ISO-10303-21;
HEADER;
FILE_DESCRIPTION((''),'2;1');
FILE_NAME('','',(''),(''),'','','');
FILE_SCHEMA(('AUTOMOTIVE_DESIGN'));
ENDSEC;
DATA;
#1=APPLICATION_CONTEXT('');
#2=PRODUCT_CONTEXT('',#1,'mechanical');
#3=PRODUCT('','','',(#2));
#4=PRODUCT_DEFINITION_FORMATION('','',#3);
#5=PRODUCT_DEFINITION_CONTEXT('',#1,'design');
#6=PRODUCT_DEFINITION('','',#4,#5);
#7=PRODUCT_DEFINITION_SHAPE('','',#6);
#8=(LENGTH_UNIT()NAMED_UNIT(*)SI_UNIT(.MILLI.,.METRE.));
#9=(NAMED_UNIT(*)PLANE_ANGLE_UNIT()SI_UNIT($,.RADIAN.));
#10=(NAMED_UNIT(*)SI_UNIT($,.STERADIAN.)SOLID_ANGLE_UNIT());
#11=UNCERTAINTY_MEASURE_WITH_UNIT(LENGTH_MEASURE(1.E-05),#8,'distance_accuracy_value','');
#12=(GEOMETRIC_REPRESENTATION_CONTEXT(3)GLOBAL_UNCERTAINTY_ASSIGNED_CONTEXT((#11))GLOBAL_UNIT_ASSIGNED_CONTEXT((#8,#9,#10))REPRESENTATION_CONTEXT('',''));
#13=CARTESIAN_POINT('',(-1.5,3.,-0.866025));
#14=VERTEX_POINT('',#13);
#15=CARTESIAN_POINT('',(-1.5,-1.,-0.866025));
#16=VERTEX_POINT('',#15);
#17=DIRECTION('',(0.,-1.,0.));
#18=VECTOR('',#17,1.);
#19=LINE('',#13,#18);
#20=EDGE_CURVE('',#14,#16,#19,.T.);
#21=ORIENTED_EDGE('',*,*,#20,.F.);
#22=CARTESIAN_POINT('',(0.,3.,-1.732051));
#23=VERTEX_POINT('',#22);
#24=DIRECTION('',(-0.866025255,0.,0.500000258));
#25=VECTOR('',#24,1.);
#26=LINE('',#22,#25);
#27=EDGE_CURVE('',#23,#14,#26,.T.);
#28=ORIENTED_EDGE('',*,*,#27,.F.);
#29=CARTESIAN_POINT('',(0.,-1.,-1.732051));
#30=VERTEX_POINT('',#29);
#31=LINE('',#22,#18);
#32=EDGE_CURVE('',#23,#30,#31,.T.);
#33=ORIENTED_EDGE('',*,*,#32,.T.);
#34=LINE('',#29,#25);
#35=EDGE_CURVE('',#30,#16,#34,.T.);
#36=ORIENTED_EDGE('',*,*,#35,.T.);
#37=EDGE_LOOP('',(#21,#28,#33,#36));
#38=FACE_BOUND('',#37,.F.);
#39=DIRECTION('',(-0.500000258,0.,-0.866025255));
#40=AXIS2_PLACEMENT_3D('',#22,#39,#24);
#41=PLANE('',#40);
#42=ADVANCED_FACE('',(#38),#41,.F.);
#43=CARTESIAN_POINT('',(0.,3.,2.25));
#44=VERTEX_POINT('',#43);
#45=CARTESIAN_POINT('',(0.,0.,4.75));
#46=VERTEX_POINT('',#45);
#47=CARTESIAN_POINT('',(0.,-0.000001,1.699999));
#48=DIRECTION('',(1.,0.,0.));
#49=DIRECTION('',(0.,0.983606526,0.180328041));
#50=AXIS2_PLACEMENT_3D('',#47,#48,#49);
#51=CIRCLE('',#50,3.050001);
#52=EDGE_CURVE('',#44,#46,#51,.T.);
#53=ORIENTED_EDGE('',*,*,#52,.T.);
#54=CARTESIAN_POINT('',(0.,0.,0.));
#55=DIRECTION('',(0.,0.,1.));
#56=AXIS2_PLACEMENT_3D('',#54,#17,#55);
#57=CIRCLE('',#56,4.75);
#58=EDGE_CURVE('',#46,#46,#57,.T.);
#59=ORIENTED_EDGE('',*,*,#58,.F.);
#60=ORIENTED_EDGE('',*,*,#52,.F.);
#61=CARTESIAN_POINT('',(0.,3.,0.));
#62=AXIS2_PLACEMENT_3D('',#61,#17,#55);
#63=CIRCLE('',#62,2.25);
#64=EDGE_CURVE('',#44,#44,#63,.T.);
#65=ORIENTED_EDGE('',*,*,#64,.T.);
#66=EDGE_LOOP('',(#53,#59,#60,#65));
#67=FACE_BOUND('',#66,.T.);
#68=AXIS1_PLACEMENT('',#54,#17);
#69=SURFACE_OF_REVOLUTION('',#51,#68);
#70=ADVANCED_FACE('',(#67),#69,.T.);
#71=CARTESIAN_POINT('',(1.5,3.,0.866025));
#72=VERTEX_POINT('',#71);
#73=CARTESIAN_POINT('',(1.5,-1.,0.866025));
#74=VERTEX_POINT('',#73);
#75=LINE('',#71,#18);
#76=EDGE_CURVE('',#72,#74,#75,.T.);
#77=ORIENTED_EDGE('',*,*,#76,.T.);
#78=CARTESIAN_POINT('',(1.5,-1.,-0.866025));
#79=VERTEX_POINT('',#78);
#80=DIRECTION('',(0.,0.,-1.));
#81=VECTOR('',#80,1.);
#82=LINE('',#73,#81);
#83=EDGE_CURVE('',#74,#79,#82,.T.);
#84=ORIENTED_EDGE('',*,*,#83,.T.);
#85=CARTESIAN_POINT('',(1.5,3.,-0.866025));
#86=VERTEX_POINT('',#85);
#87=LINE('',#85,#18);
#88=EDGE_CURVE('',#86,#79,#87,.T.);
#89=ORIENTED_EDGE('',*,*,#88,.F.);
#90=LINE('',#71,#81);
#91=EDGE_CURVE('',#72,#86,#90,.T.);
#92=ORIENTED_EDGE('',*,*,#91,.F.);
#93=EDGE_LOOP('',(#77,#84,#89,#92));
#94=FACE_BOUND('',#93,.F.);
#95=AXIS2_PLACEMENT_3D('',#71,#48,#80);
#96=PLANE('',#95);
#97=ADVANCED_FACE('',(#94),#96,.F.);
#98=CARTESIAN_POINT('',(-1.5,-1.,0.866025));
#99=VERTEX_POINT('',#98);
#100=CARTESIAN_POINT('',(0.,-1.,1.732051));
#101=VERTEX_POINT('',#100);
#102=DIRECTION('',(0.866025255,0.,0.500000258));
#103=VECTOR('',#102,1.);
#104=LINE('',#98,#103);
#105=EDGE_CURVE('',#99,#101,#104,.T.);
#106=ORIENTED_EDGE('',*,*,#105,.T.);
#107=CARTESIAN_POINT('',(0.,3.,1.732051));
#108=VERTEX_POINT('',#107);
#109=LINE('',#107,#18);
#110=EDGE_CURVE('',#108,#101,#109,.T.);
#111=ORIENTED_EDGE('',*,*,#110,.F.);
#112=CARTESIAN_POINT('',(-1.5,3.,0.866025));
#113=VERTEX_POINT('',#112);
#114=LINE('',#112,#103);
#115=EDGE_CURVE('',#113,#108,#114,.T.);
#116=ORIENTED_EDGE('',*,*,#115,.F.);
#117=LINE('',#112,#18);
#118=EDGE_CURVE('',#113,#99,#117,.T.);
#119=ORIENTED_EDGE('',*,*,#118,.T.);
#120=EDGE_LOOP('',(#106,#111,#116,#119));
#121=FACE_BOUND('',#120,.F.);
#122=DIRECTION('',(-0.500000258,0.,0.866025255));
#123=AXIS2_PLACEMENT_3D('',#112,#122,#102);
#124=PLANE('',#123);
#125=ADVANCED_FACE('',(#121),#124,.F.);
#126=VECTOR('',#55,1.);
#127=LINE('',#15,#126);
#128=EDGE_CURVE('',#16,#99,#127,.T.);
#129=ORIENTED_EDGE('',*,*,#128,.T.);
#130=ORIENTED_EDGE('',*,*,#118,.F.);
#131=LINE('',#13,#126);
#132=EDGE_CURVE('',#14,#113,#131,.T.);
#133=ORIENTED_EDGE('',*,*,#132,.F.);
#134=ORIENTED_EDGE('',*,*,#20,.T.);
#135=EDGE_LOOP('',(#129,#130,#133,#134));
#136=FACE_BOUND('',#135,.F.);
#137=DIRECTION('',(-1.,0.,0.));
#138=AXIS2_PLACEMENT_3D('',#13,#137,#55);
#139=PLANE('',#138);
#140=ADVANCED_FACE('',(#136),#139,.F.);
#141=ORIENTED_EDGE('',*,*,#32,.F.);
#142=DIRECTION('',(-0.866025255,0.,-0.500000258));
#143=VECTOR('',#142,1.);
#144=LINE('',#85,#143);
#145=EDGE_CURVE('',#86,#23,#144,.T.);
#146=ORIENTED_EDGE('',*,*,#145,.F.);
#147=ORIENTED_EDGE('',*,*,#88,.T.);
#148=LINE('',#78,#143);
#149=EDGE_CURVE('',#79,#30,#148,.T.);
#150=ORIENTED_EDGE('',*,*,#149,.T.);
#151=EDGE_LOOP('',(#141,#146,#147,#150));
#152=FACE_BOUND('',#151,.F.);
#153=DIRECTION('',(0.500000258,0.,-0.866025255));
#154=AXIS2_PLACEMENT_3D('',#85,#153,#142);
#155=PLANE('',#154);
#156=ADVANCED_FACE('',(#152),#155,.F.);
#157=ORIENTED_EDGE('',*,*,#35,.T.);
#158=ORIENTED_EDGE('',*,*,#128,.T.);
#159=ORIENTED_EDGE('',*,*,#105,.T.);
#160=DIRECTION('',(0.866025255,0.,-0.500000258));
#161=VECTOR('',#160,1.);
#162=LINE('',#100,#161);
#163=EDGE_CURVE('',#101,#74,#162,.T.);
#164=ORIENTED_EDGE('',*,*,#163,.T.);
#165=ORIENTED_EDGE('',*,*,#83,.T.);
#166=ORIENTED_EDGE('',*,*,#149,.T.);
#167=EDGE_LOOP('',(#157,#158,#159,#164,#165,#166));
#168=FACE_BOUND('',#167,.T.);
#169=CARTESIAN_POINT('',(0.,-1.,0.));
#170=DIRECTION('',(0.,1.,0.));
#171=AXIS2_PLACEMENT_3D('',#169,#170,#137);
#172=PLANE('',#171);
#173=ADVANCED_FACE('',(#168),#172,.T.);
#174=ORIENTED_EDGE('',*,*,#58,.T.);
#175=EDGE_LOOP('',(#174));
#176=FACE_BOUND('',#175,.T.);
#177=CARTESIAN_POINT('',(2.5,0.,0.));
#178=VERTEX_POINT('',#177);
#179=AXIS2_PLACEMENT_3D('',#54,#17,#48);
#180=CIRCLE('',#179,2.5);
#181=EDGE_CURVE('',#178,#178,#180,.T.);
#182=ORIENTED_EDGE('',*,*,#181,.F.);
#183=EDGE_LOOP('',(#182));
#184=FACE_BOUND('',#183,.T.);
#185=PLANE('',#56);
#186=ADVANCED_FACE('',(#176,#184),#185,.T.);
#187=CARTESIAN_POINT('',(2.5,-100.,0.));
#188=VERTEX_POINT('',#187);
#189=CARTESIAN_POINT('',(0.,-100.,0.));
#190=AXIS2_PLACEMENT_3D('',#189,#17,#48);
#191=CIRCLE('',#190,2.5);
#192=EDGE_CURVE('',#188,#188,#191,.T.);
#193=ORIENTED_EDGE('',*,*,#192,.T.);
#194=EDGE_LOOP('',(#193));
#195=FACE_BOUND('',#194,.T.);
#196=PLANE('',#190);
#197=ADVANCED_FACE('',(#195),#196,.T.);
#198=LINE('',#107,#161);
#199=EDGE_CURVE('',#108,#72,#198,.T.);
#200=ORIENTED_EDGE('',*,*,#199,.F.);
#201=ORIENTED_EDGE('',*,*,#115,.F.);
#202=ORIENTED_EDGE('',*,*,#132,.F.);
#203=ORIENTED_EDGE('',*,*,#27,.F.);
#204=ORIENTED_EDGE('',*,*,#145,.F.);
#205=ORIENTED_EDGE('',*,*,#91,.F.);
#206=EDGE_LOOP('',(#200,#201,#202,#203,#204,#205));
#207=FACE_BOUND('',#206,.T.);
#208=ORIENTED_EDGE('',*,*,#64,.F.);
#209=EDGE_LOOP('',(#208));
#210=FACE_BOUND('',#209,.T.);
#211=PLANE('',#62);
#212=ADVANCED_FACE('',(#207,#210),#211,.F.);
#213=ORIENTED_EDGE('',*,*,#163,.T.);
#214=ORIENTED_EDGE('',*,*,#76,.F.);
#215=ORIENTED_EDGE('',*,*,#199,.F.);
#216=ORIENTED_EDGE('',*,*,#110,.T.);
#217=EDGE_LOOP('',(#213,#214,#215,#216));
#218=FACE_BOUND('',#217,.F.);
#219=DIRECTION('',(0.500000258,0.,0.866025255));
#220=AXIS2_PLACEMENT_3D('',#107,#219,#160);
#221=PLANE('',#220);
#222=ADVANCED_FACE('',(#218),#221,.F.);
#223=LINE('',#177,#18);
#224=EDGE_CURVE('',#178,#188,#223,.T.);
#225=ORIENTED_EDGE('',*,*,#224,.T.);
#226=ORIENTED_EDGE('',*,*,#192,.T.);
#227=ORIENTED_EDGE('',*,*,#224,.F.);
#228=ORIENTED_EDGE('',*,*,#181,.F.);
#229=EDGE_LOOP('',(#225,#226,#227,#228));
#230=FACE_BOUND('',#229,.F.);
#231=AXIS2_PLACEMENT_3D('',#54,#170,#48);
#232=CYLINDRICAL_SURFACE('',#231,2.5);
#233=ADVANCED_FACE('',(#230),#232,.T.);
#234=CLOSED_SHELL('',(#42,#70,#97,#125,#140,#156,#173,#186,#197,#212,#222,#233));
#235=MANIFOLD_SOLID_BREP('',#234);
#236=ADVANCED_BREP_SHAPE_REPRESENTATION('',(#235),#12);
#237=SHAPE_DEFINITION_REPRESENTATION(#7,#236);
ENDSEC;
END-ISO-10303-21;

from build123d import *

# Parameters (mm, degrees)
F0_R     = 2.5
F1_DEPTH = 100
F5_DEPTH = 4


with BuildPart() as f1:
    # F0 (on Front) → F1 (new body)
    with BuildSketch(Plane.XZ):
        Circle(F0_R)
    extrude(amount=F1_DEPTH)

    # F2 (on Right) → F3 (revolve)
    with BuildSketch(Plane.YZ):
        with BuildLine():
            Line((0, 4.75), (0, 0))
            Line((0, 0), (3, 0))
            Line((3, 0), (3, 1.5))
            Line((3, 1.5), (3, 2.25))
            ThreePointArc((3, 2.25), (1.952562, 4.043075), (0, 4.75))
        make_face()
    revolve(axis=Axis((0, 0, 0), (0, -1, 0)))

    # F4 (on face) → F5 (cut)
    with BuildSketch(Plane(origin=(0, 3, 0), x_dir=(-1, 0, 0), z_dir=(0, 1, 0))):
        Polygon((-1.5, 0.866025), (-1.5, -0.866025), (0, -1.732051), (1.5, -0.866025), (1.5, 0.866025), (0, 1.732051), align=None)
    extrude(amount=-F5_DEPTH, mode=Mode.SUBTRACT)


solid = f1.part
